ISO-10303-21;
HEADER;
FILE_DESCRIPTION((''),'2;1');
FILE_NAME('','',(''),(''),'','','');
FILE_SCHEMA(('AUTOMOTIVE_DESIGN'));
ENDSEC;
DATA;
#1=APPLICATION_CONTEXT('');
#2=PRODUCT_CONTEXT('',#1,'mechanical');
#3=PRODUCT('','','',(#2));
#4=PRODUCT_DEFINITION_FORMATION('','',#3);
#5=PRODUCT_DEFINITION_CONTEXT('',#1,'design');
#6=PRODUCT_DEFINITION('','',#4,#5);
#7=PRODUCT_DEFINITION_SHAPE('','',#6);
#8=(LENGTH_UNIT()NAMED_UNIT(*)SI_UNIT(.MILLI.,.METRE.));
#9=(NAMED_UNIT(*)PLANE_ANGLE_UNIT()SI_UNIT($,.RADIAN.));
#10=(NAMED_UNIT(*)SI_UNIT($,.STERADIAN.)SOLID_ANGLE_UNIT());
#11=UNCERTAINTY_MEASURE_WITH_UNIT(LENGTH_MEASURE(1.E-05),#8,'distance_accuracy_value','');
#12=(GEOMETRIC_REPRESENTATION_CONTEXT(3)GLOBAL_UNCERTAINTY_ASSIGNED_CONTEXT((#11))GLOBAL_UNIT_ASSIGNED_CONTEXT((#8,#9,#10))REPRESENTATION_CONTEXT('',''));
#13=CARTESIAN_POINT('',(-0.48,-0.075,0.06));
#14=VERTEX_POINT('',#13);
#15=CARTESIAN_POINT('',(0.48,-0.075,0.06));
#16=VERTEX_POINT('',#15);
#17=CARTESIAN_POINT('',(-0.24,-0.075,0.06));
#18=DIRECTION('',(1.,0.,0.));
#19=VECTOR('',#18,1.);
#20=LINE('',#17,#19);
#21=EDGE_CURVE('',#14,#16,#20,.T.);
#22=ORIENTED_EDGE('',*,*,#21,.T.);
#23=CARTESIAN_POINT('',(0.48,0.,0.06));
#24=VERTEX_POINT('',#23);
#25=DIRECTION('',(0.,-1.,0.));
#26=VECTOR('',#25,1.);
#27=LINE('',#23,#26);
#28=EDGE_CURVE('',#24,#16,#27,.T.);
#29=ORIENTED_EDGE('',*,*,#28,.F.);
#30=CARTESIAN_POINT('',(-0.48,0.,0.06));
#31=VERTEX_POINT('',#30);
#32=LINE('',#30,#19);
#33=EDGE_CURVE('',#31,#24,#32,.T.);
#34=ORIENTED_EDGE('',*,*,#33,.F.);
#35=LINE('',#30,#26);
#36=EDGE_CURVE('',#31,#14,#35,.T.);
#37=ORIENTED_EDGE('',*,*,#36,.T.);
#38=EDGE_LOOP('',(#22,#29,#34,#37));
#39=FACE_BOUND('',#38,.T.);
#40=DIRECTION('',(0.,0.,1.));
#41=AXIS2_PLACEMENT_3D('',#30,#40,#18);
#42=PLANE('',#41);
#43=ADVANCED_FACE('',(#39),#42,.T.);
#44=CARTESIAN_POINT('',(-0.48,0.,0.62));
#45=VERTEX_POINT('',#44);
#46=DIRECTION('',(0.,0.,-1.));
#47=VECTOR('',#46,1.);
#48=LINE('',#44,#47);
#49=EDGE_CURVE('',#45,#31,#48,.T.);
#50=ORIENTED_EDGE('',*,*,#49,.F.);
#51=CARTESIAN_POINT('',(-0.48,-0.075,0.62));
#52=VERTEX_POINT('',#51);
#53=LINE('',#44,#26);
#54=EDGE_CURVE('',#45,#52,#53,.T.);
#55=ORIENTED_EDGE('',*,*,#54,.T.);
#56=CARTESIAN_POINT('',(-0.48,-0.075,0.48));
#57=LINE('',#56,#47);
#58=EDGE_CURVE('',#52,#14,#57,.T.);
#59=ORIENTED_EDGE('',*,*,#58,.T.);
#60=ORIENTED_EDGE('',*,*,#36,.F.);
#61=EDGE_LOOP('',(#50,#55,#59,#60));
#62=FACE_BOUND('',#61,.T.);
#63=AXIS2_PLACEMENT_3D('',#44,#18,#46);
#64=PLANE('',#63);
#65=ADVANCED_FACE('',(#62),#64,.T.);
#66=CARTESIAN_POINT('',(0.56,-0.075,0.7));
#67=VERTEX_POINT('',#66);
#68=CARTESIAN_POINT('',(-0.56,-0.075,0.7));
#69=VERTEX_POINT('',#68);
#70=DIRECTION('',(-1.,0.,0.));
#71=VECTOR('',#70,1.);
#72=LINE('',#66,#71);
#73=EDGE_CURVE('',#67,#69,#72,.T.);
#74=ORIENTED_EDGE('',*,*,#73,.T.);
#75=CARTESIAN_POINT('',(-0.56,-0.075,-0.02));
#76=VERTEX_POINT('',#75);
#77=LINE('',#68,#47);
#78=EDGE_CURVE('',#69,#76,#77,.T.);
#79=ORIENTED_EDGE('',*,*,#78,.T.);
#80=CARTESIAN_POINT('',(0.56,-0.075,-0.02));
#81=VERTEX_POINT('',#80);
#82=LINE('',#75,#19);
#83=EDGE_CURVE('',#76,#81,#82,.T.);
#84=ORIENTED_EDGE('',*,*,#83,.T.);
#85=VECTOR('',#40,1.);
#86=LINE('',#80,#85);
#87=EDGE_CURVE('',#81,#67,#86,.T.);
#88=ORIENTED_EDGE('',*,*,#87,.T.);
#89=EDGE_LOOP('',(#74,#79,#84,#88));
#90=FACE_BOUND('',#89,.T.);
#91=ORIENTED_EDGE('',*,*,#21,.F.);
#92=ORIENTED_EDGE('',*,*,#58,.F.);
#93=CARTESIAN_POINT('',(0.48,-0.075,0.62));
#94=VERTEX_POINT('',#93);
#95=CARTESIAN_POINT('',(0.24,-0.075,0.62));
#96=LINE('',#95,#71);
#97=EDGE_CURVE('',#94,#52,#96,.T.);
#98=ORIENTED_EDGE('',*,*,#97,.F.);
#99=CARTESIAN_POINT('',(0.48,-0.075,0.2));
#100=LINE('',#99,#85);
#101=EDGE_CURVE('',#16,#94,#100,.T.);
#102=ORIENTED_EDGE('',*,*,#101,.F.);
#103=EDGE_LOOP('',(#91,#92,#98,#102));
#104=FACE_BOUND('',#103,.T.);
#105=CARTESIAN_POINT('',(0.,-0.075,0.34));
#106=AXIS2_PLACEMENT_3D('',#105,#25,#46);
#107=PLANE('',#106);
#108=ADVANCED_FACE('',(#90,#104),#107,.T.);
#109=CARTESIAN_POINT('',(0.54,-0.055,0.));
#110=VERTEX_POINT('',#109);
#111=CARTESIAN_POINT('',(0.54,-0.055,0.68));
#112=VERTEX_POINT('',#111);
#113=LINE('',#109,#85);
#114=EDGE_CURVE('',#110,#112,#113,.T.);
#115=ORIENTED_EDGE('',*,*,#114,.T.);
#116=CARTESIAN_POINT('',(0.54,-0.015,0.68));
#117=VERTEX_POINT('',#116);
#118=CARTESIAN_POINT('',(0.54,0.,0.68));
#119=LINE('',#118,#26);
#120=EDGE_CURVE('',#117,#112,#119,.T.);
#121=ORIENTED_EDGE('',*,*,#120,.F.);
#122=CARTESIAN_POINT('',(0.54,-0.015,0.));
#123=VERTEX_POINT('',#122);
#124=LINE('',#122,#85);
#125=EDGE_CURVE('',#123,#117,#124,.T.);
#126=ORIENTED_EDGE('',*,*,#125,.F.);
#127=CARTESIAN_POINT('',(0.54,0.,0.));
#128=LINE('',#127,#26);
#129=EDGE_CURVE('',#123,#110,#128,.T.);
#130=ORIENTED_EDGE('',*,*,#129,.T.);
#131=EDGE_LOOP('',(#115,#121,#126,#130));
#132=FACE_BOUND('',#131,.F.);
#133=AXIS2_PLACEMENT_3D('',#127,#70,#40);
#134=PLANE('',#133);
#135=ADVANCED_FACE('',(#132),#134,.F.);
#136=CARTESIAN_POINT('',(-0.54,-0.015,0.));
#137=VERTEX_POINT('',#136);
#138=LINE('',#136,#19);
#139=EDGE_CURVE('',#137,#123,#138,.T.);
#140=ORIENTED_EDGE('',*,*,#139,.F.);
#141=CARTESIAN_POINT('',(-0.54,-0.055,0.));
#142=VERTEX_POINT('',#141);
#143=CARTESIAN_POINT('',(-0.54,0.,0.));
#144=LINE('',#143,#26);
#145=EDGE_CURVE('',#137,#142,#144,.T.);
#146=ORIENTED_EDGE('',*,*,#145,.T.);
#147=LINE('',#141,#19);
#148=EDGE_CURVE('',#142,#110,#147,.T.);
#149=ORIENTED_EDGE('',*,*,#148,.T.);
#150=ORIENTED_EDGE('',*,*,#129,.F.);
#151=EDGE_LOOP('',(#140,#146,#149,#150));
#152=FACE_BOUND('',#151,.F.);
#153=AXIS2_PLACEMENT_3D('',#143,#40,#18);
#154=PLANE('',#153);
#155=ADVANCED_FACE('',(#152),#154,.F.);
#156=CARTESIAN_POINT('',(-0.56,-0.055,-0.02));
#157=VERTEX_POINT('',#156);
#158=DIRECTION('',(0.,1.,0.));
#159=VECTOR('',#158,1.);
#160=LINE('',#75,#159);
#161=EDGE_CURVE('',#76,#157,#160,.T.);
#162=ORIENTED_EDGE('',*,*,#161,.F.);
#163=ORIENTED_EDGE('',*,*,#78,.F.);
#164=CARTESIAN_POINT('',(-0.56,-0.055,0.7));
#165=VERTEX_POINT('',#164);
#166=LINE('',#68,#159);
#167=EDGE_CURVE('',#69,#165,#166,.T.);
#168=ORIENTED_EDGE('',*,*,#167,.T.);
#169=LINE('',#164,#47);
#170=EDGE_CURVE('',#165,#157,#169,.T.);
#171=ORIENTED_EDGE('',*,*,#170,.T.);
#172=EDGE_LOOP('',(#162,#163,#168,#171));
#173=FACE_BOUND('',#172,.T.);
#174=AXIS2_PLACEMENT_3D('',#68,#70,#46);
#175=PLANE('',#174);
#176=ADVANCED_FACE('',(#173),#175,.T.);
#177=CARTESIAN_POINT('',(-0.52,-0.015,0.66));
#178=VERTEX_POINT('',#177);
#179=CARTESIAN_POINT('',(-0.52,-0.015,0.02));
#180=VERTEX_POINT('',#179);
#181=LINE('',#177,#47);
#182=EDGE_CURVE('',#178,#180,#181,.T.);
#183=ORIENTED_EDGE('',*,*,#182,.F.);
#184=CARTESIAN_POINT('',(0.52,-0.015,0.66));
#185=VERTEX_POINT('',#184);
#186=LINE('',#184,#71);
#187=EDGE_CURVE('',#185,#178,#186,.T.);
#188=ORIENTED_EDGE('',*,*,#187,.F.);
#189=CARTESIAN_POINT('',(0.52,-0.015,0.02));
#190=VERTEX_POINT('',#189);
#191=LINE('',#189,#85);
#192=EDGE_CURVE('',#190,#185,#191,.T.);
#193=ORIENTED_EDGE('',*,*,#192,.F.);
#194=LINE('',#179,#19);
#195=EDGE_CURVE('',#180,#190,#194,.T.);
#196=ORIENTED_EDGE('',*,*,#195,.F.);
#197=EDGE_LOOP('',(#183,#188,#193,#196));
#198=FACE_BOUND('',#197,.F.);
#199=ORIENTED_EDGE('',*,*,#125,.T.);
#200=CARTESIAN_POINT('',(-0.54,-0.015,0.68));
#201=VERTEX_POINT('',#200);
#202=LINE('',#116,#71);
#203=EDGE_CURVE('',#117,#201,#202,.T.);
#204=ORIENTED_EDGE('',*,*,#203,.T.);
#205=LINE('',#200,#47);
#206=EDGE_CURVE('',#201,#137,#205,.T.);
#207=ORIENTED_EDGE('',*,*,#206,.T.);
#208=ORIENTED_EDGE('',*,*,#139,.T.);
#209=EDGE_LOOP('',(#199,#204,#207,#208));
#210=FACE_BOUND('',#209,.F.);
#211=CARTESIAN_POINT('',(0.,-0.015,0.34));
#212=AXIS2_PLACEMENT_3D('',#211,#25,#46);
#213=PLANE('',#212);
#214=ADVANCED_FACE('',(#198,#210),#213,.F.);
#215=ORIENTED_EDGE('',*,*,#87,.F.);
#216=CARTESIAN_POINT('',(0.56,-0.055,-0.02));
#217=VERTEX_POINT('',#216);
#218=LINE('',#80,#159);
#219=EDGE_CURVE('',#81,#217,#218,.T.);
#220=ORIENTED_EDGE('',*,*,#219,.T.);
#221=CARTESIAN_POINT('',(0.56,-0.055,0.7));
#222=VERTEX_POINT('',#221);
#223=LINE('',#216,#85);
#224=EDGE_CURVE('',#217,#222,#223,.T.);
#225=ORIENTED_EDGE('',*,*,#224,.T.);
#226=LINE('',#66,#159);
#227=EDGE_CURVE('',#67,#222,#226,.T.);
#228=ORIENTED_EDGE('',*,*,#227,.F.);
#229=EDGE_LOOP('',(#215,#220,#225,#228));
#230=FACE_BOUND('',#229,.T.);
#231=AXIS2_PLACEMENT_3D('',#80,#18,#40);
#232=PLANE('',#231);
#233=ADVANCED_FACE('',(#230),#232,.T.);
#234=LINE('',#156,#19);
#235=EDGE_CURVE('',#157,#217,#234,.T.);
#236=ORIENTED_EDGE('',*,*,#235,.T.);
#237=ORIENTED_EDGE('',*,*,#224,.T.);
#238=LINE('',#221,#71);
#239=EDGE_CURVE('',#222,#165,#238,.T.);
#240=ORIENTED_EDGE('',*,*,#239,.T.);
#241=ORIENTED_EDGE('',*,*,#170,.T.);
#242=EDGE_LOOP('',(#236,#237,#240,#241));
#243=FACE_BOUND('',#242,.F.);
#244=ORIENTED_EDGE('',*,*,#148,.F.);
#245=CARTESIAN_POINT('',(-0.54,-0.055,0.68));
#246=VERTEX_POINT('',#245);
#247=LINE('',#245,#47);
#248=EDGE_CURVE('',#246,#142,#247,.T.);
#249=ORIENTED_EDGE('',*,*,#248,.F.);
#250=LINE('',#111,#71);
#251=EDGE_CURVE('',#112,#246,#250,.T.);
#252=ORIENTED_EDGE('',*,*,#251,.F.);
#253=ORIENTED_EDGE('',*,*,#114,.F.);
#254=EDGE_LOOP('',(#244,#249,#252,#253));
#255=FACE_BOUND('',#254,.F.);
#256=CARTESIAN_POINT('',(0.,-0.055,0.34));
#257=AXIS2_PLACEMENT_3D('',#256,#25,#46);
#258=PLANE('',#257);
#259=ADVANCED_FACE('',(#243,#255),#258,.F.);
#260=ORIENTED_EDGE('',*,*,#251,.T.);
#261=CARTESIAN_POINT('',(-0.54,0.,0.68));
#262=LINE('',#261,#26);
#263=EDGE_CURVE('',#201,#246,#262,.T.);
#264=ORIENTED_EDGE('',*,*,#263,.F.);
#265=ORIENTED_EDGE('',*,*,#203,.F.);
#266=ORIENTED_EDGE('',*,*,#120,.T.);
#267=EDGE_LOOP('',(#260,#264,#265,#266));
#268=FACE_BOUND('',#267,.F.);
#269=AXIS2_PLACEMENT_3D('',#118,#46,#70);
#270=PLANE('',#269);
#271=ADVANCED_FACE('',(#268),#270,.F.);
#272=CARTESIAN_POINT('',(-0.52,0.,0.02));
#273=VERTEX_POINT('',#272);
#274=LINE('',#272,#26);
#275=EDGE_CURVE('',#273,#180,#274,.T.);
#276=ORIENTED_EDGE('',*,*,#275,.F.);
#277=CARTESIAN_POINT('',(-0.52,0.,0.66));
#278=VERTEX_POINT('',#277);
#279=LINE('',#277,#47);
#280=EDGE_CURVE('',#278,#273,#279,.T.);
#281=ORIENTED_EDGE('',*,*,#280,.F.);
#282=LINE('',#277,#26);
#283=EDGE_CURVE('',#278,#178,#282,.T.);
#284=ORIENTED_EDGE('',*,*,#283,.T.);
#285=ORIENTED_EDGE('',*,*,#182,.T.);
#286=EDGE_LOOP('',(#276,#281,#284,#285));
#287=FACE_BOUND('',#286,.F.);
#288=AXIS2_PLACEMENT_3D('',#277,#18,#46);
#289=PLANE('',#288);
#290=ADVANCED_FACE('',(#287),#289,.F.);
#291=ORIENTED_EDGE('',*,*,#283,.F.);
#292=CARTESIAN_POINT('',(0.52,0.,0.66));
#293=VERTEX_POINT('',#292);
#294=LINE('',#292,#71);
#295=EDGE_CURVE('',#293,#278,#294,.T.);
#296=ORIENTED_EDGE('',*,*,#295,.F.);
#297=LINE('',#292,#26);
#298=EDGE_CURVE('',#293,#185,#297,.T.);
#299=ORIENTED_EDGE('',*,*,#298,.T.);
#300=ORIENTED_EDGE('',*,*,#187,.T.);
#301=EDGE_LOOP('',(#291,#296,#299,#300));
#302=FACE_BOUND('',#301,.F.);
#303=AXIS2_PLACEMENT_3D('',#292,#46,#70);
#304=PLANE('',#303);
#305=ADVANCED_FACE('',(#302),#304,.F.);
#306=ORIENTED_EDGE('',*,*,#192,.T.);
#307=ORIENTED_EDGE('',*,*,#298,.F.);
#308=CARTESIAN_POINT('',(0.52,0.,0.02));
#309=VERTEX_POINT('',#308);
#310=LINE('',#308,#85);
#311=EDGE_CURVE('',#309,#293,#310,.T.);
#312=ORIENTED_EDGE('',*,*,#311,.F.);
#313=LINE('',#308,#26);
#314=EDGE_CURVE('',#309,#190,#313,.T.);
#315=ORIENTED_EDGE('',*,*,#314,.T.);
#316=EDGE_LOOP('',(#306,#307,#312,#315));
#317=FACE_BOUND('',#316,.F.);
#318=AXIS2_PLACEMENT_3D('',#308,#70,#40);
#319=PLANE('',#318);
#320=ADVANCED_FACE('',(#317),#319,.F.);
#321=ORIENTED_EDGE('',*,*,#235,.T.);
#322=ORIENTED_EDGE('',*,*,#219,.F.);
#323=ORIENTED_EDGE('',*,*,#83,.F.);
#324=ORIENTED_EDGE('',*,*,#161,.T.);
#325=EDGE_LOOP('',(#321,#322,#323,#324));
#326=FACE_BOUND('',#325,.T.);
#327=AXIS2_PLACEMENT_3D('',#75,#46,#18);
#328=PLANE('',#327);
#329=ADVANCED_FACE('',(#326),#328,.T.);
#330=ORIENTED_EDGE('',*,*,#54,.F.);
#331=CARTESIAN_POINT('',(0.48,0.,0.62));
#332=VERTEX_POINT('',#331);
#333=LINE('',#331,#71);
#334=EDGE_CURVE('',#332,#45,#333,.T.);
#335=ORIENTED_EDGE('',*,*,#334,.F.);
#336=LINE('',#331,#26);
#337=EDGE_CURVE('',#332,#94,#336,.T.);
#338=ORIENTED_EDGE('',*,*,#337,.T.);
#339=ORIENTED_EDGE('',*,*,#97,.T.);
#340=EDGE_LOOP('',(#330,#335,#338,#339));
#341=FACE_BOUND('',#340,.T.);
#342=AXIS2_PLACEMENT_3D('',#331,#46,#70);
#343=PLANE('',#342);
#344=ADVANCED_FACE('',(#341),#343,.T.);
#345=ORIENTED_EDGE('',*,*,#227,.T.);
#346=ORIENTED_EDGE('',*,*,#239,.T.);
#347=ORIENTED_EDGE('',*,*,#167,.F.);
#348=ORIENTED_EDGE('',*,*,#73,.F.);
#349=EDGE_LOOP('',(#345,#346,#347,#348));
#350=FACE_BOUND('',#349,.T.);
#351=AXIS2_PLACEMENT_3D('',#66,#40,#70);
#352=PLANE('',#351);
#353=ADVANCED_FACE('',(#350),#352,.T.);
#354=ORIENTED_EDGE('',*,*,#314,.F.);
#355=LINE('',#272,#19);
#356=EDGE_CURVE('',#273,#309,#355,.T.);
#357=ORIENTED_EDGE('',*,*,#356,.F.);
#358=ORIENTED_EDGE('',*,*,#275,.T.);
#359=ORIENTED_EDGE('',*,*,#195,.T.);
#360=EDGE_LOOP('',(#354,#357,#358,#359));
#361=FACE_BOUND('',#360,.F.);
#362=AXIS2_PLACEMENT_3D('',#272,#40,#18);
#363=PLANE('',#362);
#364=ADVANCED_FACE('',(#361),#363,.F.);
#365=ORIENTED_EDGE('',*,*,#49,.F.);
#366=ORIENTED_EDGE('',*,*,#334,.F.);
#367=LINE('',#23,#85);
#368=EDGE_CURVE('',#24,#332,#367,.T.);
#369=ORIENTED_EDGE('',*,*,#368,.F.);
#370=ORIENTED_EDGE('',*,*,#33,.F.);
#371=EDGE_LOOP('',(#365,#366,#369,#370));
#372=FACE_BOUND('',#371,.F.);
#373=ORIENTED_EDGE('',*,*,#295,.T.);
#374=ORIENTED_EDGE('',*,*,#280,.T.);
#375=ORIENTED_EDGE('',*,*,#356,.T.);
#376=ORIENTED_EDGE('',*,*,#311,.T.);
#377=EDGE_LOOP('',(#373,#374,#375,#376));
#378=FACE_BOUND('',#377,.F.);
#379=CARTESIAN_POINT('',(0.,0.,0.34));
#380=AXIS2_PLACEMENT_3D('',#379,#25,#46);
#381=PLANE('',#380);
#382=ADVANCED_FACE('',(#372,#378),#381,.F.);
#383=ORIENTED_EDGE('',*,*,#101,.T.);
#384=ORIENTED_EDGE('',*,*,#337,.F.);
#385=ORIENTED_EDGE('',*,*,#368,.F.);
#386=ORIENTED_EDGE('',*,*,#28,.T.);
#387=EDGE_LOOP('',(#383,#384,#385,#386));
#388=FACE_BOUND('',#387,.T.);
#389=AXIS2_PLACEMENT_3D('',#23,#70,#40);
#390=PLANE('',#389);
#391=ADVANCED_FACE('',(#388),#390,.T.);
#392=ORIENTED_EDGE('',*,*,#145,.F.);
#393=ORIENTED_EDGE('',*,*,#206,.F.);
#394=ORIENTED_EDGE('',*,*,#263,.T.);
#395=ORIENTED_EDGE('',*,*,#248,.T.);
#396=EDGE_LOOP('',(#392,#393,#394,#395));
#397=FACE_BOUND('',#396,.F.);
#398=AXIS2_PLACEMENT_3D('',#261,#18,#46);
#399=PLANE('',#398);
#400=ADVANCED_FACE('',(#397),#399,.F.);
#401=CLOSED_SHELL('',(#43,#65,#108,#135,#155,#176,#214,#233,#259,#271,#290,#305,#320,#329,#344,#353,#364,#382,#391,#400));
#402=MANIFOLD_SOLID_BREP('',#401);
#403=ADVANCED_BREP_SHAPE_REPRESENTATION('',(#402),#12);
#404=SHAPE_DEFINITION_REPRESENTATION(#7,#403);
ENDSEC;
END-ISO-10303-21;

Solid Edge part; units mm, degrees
sketch "Sketch1" plane through (0, 0, 0) normal (0, -1, 0) x (1, 0, 0)
  line L0 (-0.54, 0) -> (0.54, 0)
  line L1 (0.54, 0) -> (0.54, 0.68)
  line L2 (0.54, 0.68) -> (-0.54, 0.68)
  line L3 (-0.54, 0.68) -> (-0.54, 0)
  dimension "D1" = 0.68
  dimension "D2" = 1.08
extrude "Protrusion1" add sketch "Sketch1" along normal blind 0.075
sketch "Sketch2" plane through (0, 0, 0.69) normal (0, 1, 0) x (-1, 0, 0)
  line L0 (-0.48, -0.07) -> (0.48, -0.07)
  line L1 (0.48, -0.07) -> (0.48, -0.63)
  line L2 (0.48, -0.63) -> (-0.48, -0.63)
  line L3 (-0.48, -0.63) -> (-0.48, -0.07)
extrude "Cutout1" cut sketch "Sketch2" against normal up to next
sketch "Sketch3" plane through (0, 0, 0.69) normal (0, 1, 0) x (-1, 0, 0)
  line L0 (-0.52, -0.67) -> (-0.52, -0.03)
  line L1 (-0.52, -0.03) -> (0.52, -0.03)
  line L2 (0.52, -0.03) -> (0.52, -0.67)
  line L3 (0.52, -0.67) -> (-0.52, -0.67)
  line L4 (-0.54, -0.69) -> (-0.54, -0.01)
  line L5 (-0.54, -0.01) -> (0.54, -0.01)
  line L6 (0.54, -0.01) -> (0.54, -0.69)
  line L7 (0.54, -0.69) -> (-0.54, -0.69)
extrude "Ausschnitt_1" cut sketch "Sketch3" against normal blind 0.015
sketch "Sketch4" plane through (0, -0.075, 0.69) normal (0, -1, 0) x (1, 0, 0)
  line L0 (-0.56, 0.01) -> (-0.56, -0.71)
  line L1 (-0.56, -0.71) -> (0.56, -0.71)
  line L2 (0.56, -0.71) -> (0.56, 0.01)
  line L3 (0.56, 0.01) -> (-0.56, 0.01)
  line L4 (0.54, -0.01) -> (-0.54, -0.01)
  line L5 (-0.54, -0.01) -> (-0.54, -0.69)
  line L6 (-0.54, -0.69) -> (0.54, -0.69)
  line L7 (0.54, -0.69) -> (0.54, -0.01)
extrude "Ausprägung_2" add sketch "Sketch4" against normal blind 0.02
